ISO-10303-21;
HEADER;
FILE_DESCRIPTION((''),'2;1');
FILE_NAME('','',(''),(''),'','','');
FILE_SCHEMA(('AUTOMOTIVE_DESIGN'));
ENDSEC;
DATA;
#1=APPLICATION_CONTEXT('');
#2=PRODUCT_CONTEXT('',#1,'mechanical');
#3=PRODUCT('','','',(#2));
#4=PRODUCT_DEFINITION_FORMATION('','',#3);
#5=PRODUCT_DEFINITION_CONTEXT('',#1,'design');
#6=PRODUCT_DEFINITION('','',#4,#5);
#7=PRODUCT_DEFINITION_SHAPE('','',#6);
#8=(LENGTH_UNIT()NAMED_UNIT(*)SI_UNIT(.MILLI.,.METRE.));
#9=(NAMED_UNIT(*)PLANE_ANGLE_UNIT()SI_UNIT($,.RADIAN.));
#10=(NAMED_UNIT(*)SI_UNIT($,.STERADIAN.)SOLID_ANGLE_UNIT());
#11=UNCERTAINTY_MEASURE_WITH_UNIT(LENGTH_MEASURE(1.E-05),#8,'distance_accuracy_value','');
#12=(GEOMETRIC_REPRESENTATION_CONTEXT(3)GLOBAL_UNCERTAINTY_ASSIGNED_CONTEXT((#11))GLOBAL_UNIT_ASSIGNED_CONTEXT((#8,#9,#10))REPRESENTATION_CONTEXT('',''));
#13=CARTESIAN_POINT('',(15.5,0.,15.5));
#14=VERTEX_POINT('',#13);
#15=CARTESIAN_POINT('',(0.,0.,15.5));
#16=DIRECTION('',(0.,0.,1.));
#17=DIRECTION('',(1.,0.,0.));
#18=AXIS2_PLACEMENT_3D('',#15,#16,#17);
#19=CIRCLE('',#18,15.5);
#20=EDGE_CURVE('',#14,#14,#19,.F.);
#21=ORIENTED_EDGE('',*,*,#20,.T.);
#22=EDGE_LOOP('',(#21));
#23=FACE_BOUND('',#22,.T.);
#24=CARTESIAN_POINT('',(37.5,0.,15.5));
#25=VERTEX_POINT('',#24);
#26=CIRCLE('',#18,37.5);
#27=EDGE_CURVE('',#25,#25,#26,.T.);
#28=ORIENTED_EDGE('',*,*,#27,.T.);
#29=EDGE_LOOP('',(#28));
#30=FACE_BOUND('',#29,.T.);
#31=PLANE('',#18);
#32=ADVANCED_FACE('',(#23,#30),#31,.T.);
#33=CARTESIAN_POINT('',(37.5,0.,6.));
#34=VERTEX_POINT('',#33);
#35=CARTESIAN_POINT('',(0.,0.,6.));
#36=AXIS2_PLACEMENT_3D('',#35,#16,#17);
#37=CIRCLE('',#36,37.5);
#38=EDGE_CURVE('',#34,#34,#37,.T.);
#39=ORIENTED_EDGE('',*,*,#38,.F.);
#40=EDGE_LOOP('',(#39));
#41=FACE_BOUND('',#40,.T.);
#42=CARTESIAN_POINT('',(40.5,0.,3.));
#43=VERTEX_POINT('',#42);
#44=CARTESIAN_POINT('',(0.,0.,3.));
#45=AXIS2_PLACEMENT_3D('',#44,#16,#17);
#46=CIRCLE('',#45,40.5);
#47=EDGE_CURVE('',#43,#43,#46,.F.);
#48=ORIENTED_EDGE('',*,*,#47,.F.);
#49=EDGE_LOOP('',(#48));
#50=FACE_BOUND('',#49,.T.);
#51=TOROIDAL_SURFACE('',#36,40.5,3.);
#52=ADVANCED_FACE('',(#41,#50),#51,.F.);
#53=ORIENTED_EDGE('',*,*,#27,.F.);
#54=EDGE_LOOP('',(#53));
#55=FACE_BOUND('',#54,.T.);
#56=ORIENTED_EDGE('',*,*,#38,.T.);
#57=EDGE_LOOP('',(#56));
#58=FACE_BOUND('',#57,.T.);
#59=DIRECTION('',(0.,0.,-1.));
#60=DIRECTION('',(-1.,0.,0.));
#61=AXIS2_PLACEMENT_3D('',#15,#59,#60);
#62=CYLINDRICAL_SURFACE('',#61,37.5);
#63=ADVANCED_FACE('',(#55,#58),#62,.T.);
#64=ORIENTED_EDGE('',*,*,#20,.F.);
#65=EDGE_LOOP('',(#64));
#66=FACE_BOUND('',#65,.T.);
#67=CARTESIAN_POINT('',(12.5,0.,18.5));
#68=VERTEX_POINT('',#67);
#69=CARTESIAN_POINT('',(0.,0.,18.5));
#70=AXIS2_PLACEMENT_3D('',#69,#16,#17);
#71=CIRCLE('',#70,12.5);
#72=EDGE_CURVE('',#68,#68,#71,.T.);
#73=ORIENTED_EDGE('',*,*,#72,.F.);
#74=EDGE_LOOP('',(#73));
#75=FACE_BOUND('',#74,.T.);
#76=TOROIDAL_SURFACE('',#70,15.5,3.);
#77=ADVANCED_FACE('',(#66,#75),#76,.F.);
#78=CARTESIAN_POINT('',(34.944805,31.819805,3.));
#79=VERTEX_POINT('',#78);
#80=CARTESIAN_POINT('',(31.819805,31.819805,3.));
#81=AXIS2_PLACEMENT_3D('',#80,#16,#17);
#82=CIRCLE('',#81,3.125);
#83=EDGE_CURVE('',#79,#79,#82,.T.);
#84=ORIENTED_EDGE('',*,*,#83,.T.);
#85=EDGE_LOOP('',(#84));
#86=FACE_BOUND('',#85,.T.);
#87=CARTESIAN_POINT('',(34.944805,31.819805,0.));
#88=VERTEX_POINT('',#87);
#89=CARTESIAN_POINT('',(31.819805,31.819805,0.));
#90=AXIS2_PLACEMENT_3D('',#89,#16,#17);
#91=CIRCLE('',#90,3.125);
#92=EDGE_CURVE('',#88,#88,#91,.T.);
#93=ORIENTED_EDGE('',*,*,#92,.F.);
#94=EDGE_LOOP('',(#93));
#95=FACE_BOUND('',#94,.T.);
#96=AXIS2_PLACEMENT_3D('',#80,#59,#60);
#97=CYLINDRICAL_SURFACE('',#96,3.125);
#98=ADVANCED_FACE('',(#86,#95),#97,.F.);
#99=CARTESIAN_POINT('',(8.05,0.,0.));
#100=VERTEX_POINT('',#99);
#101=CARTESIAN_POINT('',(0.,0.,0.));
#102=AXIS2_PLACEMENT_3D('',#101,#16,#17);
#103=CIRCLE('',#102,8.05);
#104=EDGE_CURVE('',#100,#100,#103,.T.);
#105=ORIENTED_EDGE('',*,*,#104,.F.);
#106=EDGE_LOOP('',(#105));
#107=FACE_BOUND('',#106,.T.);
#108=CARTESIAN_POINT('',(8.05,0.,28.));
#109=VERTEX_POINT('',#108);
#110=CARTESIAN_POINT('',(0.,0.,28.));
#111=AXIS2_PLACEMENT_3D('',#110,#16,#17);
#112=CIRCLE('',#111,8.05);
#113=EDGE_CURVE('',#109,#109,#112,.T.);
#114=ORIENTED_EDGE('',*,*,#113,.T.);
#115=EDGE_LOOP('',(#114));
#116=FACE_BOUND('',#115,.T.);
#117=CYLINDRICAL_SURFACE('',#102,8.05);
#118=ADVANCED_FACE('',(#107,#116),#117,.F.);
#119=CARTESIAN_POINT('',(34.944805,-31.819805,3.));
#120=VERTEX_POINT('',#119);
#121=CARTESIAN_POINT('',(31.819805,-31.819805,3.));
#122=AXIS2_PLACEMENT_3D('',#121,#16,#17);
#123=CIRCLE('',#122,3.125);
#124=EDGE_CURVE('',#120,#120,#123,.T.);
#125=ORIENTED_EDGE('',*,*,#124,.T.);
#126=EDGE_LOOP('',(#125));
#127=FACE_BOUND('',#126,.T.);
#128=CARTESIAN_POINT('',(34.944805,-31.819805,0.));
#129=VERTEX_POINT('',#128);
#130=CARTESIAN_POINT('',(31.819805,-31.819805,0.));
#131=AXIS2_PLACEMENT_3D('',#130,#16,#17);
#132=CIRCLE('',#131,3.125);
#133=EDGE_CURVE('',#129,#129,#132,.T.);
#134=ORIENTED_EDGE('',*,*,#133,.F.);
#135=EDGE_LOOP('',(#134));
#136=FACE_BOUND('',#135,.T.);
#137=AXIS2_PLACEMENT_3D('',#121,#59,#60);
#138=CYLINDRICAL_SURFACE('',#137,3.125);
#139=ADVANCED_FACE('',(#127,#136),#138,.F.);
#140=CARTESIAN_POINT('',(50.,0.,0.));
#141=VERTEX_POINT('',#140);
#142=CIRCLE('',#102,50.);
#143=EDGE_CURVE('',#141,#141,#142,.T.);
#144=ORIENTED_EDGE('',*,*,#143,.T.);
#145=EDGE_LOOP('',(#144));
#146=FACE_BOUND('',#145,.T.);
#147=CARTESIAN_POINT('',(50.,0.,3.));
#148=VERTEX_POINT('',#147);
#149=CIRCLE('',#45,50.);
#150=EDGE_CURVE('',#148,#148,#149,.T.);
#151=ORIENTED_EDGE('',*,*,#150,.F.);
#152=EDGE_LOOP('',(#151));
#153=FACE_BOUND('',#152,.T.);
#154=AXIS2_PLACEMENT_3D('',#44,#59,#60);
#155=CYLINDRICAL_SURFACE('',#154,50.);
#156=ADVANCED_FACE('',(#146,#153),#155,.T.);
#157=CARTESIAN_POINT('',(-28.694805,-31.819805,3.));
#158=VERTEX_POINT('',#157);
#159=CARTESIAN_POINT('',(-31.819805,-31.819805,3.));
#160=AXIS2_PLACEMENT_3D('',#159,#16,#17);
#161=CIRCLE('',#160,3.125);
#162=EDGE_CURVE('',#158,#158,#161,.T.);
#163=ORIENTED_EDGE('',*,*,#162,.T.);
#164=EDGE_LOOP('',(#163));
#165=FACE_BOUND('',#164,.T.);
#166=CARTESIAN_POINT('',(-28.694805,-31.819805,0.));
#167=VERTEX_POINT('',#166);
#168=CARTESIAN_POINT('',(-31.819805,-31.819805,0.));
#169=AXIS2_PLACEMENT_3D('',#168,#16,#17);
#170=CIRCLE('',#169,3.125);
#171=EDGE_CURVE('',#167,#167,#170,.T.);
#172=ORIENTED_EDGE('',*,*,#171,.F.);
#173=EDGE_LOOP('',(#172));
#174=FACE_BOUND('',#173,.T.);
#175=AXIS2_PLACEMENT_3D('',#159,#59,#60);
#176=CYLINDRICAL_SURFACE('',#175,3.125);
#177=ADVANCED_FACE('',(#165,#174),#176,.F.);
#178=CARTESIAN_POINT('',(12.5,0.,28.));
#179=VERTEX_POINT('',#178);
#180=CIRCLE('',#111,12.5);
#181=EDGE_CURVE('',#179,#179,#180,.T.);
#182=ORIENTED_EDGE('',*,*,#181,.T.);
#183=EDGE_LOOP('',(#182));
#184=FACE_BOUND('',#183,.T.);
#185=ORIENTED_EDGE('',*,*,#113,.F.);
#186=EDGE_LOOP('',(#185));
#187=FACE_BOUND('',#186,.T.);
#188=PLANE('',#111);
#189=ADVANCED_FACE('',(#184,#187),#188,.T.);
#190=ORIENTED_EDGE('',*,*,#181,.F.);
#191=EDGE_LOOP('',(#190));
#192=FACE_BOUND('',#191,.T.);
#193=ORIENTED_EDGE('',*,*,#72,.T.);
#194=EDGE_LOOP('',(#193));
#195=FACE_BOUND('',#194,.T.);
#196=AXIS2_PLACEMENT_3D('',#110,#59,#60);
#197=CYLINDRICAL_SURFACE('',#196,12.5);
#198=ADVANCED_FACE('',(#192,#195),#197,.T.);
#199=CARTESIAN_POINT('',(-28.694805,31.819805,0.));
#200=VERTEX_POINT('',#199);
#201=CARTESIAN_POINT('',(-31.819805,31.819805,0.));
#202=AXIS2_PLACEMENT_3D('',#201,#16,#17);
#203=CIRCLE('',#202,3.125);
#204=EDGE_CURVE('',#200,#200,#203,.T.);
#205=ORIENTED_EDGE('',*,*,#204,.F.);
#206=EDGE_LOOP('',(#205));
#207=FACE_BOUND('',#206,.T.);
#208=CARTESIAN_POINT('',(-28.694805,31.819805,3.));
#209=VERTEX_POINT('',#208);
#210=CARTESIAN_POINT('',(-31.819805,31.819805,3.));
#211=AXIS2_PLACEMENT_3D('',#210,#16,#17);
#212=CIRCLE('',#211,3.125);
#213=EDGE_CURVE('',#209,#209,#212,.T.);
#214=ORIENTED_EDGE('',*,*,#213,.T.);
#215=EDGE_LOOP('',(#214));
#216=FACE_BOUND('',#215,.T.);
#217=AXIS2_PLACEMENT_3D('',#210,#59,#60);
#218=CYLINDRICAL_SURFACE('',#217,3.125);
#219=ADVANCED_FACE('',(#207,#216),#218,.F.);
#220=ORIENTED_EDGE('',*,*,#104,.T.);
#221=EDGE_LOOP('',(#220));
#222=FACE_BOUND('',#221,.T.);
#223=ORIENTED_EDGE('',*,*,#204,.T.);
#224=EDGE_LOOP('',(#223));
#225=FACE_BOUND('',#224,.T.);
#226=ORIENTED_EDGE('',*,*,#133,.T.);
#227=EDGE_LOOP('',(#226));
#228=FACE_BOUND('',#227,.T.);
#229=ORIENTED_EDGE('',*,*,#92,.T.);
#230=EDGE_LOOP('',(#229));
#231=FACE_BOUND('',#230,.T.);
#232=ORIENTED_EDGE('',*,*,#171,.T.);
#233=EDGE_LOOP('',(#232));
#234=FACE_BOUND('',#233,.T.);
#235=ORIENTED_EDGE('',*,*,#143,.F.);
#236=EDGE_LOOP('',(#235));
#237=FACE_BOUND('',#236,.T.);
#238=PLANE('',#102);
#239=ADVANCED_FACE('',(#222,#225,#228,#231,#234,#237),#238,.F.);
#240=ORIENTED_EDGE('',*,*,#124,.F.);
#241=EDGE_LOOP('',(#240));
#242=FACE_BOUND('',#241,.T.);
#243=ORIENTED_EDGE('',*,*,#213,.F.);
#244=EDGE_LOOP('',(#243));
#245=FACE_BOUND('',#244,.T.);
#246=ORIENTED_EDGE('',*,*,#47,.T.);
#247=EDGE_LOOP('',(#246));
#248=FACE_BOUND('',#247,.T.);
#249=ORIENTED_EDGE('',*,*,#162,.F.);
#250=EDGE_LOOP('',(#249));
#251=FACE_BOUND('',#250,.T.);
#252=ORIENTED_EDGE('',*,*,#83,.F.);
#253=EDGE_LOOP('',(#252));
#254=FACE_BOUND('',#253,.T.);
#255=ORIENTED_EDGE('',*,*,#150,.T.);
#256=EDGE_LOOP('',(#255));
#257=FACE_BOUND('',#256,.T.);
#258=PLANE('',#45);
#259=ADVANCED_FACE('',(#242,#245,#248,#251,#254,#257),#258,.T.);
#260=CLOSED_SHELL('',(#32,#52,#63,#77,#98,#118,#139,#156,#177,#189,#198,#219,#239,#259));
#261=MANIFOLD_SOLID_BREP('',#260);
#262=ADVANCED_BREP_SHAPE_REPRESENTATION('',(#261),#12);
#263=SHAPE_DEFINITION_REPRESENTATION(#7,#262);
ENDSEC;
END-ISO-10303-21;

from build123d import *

# Parameters (mm, degrees)
SKETCH1_R           = 50
SKETCH1_R_2         = 3.125
BASE_EXTRUDE_DEPTH  = 3
SKETCH2_R           = 37.5
BOSS_EXTRUDE1_DEPTH = 12.5
SKETCH3_R           = 12.5
BOSS_EXTRUDE2_DEPTH = 12.5
FILLET1_R           = 3
SKETCH4_R           = 8.05
CUT_EXTRUDE1_DEPTH  = 77.052613367


with BuildPart() as part:
    # Sketch1 → Base-Extrude (new body)
    with BuildSketch(Plane.XY):
        Circle(SKETCH1_R)
        with Locations((31.819805153, 31.819805153)):
            Circle(SKETCH1_R_2, mode=Mode.SUBTRACT)
        with Locations((-31.819805153, -31.819805153)):
            Circle(SKETCH1_R_2, mode=Mode.SUBTRACT)
        with Locations((31.819805153, -31.819805153)):
            Circle(SKETCH1_R_2, mode=Mode.SUBTRACT)
        with Locations((-31.819805153, 31.819805153)):
            Circle(SKETCH1_R_2, mode=Mode.SUBTRACT)
    extrude(amount=BASE_EXTRUDE_DEPTH)

    # Sketch2 → Boss-Extrude1 (add)
    with BuildSketch(Plane.XY.offset(3)):
        Circle(SKETCH2_R)
    extrude(amount=BOSS_EXTRUDE1_DEPTH)

    # Sketch3 → Boss-Extrude2 (add)
    with BuildSketch(Plane.XY.offset(15.5)):
        Circle(SKETCH3_R)
    extrude(amount=BOSS_EXTRUDE2_DEPTH)

    # Fillet1
    fillet1_edges = [part.edges().sort_by_distance(p)[0] for p in [
        (-37.5, 0, 3),
        (-12.5, 0, 15.5),
    ]]
    fillet(fillet1_edges, radius=FILLET1_R)

    # Sketch4 → Cut-Extrude1 (cut, through all)
    with BuildSketch(Plane.XY.offset(28)):
        Circle(SKETCH4_R)
    extrude(amount=-CUT_EXTRUDE1_DEPTH, mode=Mode.SUBTRACT)


solid = part.part
